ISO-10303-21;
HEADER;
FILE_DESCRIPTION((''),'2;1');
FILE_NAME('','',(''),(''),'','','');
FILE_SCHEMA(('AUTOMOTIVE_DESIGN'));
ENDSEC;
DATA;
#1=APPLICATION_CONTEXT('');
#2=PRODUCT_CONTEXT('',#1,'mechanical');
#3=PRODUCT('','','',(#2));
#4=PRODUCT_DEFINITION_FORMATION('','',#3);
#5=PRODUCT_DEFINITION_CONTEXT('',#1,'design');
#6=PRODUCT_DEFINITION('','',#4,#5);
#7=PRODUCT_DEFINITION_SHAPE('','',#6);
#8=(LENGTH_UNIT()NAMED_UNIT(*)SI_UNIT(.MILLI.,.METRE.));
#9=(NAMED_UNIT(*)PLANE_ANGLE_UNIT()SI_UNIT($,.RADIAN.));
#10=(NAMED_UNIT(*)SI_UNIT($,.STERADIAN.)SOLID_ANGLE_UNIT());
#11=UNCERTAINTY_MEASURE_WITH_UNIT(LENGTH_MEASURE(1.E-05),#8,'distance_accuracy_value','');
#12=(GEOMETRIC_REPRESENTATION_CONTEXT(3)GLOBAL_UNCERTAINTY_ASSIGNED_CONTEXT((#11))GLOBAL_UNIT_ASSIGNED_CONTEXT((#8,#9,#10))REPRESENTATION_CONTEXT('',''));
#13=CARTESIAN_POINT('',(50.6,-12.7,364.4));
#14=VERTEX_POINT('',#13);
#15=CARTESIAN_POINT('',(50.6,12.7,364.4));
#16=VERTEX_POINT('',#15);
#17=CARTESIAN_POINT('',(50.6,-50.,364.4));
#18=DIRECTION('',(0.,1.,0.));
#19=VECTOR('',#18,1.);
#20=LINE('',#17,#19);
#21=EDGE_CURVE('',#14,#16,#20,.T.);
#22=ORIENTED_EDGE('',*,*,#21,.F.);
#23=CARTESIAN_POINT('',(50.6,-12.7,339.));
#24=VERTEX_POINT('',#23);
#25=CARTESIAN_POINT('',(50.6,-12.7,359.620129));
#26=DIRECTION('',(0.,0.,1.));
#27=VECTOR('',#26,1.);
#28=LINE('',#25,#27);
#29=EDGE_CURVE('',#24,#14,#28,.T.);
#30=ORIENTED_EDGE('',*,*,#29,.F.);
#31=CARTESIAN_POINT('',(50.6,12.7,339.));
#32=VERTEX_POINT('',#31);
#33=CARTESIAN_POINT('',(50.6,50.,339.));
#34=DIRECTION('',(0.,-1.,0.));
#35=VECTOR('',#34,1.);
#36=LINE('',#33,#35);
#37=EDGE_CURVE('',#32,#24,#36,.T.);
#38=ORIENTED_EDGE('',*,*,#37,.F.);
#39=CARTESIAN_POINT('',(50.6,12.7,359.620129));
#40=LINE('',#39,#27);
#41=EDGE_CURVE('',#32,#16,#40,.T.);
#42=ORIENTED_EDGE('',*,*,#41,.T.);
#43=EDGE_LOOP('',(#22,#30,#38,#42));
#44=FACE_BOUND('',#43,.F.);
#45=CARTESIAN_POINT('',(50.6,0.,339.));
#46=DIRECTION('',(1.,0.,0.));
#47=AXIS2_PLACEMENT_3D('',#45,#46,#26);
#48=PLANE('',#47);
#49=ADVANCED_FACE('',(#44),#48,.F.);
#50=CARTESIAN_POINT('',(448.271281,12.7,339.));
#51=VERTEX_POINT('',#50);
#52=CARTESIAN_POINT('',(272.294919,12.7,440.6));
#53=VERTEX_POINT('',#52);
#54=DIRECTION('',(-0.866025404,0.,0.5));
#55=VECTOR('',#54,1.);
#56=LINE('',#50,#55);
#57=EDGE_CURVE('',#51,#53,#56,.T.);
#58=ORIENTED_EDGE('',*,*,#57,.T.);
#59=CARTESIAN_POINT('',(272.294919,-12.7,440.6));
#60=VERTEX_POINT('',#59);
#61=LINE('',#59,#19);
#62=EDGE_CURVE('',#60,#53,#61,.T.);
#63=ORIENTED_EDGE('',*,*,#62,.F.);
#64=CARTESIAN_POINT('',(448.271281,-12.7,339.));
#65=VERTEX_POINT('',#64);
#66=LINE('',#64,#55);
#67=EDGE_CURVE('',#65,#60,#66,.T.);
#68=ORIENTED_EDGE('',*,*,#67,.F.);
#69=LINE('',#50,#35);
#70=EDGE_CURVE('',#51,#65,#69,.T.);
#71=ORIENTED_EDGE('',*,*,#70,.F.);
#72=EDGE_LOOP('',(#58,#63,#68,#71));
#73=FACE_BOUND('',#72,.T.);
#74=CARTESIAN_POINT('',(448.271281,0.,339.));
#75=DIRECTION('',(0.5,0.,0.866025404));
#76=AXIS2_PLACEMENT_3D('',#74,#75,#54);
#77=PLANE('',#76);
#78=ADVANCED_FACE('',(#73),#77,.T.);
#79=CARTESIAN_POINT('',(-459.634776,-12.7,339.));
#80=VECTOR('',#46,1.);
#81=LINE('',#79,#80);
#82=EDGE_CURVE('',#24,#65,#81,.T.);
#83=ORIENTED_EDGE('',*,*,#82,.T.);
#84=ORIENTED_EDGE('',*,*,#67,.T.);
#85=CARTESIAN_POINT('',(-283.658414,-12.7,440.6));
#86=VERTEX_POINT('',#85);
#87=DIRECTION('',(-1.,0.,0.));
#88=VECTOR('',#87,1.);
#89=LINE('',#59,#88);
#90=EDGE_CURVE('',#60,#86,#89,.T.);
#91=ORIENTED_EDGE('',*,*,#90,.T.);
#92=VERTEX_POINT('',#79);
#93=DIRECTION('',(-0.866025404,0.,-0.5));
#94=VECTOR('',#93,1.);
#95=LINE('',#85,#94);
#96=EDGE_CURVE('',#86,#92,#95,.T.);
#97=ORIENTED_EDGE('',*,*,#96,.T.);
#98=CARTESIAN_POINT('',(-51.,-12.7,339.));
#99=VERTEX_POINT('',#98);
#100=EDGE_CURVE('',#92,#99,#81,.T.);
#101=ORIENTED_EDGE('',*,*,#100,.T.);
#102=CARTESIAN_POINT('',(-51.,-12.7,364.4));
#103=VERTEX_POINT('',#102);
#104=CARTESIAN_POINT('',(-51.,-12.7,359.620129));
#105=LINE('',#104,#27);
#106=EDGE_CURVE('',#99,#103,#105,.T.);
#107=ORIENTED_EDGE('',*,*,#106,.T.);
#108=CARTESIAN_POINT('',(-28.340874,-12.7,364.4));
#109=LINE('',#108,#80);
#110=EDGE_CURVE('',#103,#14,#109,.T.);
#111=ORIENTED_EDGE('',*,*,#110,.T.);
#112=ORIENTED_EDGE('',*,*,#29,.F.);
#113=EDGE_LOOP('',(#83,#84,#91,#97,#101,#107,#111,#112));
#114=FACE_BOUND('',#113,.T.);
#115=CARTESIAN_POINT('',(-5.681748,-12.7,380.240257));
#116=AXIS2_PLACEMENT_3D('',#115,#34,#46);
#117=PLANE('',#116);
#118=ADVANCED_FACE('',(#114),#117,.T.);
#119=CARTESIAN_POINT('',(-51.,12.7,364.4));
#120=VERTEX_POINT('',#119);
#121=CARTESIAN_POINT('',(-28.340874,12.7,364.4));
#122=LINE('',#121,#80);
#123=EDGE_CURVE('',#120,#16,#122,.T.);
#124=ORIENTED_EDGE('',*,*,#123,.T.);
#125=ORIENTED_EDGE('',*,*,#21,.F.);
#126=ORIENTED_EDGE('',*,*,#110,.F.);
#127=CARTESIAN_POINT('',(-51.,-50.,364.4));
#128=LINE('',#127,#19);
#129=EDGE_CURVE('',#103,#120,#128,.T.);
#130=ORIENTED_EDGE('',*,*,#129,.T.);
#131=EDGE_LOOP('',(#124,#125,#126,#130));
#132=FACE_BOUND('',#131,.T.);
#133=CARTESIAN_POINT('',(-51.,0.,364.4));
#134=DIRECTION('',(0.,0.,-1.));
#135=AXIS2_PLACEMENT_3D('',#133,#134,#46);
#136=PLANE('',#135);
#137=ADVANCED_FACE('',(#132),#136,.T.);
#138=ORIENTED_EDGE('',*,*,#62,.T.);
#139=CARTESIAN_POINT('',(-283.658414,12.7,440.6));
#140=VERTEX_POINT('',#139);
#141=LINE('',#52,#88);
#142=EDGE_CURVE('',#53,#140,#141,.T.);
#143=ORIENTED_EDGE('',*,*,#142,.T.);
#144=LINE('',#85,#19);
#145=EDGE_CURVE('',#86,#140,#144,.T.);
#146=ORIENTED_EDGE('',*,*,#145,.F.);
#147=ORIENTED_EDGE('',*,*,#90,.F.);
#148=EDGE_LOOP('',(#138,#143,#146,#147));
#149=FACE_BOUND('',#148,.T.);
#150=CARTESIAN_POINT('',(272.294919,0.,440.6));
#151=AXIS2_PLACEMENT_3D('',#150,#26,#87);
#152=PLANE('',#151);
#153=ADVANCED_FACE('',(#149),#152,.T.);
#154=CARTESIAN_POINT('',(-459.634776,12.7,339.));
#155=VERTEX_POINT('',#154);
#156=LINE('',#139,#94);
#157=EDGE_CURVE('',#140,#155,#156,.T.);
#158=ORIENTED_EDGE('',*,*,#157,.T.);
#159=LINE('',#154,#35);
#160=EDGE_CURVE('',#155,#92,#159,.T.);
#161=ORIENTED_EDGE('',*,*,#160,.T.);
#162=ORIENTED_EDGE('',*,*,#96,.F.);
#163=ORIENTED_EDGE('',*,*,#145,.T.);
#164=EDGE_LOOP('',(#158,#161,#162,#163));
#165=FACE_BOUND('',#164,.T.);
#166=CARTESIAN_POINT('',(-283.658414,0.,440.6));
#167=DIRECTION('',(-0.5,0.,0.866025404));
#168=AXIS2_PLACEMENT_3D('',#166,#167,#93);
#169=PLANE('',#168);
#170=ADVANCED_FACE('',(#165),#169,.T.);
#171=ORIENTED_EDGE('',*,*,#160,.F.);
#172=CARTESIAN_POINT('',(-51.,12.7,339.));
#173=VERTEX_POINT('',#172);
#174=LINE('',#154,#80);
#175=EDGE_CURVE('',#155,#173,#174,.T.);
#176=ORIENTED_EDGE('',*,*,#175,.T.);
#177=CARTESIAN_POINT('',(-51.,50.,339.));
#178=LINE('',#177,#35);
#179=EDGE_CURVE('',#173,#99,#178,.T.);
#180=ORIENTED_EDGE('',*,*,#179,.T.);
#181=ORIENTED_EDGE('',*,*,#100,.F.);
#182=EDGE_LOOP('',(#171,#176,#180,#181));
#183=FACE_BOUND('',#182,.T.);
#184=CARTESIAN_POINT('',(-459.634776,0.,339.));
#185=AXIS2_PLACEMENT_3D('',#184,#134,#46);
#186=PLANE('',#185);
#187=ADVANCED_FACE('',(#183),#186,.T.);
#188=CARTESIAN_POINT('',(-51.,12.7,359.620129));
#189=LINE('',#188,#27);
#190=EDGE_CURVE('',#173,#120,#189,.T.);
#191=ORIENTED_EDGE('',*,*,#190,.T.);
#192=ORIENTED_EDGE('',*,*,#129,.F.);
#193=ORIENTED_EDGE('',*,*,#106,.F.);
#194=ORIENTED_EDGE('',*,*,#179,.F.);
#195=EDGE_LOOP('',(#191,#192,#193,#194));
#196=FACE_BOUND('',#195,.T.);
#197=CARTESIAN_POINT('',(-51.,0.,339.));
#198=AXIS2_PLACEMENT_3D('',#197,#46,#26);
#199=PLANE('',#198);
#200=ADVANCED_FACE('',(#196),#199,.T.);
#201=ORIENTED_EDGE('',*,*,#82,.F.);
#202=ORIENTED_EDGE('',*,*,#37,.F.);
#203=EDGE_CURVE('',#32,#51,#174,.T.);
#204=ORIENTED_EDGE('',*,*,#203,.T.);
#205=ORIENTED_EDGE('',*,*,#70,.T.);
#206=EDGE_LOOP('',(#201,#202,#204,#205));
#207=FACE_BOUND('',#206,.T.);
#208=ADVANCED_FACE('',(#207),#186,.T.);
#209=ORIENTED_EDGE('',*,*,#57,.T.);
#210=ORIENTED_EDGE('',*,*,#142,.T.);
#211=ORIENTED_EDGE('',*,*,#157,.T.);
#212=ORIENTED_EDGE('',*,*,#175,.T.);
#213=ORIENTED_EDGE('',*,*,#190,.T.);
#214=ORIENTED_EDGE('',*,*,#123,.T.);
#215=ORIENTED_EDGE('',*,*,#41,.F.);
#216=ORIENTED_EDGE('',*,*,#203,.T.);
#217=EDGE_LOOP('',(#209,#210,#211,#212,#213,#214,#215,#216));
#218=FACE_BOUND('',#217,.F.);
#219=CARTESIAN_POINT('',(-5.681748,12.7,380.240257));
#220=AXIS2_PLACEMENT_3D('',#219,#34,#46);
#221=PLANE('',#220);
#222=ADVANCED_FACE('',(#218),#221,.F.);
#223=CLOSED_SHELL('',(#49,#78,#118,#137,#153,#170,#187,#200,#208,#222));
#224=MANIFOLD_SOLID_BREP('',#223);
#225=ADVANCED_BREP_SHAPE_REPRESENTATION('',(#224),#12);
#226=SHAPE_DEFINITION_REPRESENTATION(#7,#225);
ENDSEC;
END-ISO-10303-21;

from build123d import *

# Parameters (mm, degrees)
F2_DEPTH = 12.7
F3_W     = 101.6
F3_H     = 25.4
F4_DEPTH = 50


with BuildPart() as f2:
    # F1 (on Front) → F2 (new body, symmetric)
    with BuildSketch(Plane.XZ):
        Polygon((-283.658414, 440.6), (-459.634776, 339), (448.271281, 339), (272.294919, 440.6), align=None)
    extrude(amount=F2_DEPTH, both=True)

    # F3 (on Front) → F4 (cut, symmetric)
    with BuildSketch(Plane.XZ):
        with Locations((-0.2, 351.7)):
            Rectangle(F3_W, F3_H)
    extrude(amount=F4_DEPTH, both=True, mode=Mode.SUBTRACT)


solid = f2.part
